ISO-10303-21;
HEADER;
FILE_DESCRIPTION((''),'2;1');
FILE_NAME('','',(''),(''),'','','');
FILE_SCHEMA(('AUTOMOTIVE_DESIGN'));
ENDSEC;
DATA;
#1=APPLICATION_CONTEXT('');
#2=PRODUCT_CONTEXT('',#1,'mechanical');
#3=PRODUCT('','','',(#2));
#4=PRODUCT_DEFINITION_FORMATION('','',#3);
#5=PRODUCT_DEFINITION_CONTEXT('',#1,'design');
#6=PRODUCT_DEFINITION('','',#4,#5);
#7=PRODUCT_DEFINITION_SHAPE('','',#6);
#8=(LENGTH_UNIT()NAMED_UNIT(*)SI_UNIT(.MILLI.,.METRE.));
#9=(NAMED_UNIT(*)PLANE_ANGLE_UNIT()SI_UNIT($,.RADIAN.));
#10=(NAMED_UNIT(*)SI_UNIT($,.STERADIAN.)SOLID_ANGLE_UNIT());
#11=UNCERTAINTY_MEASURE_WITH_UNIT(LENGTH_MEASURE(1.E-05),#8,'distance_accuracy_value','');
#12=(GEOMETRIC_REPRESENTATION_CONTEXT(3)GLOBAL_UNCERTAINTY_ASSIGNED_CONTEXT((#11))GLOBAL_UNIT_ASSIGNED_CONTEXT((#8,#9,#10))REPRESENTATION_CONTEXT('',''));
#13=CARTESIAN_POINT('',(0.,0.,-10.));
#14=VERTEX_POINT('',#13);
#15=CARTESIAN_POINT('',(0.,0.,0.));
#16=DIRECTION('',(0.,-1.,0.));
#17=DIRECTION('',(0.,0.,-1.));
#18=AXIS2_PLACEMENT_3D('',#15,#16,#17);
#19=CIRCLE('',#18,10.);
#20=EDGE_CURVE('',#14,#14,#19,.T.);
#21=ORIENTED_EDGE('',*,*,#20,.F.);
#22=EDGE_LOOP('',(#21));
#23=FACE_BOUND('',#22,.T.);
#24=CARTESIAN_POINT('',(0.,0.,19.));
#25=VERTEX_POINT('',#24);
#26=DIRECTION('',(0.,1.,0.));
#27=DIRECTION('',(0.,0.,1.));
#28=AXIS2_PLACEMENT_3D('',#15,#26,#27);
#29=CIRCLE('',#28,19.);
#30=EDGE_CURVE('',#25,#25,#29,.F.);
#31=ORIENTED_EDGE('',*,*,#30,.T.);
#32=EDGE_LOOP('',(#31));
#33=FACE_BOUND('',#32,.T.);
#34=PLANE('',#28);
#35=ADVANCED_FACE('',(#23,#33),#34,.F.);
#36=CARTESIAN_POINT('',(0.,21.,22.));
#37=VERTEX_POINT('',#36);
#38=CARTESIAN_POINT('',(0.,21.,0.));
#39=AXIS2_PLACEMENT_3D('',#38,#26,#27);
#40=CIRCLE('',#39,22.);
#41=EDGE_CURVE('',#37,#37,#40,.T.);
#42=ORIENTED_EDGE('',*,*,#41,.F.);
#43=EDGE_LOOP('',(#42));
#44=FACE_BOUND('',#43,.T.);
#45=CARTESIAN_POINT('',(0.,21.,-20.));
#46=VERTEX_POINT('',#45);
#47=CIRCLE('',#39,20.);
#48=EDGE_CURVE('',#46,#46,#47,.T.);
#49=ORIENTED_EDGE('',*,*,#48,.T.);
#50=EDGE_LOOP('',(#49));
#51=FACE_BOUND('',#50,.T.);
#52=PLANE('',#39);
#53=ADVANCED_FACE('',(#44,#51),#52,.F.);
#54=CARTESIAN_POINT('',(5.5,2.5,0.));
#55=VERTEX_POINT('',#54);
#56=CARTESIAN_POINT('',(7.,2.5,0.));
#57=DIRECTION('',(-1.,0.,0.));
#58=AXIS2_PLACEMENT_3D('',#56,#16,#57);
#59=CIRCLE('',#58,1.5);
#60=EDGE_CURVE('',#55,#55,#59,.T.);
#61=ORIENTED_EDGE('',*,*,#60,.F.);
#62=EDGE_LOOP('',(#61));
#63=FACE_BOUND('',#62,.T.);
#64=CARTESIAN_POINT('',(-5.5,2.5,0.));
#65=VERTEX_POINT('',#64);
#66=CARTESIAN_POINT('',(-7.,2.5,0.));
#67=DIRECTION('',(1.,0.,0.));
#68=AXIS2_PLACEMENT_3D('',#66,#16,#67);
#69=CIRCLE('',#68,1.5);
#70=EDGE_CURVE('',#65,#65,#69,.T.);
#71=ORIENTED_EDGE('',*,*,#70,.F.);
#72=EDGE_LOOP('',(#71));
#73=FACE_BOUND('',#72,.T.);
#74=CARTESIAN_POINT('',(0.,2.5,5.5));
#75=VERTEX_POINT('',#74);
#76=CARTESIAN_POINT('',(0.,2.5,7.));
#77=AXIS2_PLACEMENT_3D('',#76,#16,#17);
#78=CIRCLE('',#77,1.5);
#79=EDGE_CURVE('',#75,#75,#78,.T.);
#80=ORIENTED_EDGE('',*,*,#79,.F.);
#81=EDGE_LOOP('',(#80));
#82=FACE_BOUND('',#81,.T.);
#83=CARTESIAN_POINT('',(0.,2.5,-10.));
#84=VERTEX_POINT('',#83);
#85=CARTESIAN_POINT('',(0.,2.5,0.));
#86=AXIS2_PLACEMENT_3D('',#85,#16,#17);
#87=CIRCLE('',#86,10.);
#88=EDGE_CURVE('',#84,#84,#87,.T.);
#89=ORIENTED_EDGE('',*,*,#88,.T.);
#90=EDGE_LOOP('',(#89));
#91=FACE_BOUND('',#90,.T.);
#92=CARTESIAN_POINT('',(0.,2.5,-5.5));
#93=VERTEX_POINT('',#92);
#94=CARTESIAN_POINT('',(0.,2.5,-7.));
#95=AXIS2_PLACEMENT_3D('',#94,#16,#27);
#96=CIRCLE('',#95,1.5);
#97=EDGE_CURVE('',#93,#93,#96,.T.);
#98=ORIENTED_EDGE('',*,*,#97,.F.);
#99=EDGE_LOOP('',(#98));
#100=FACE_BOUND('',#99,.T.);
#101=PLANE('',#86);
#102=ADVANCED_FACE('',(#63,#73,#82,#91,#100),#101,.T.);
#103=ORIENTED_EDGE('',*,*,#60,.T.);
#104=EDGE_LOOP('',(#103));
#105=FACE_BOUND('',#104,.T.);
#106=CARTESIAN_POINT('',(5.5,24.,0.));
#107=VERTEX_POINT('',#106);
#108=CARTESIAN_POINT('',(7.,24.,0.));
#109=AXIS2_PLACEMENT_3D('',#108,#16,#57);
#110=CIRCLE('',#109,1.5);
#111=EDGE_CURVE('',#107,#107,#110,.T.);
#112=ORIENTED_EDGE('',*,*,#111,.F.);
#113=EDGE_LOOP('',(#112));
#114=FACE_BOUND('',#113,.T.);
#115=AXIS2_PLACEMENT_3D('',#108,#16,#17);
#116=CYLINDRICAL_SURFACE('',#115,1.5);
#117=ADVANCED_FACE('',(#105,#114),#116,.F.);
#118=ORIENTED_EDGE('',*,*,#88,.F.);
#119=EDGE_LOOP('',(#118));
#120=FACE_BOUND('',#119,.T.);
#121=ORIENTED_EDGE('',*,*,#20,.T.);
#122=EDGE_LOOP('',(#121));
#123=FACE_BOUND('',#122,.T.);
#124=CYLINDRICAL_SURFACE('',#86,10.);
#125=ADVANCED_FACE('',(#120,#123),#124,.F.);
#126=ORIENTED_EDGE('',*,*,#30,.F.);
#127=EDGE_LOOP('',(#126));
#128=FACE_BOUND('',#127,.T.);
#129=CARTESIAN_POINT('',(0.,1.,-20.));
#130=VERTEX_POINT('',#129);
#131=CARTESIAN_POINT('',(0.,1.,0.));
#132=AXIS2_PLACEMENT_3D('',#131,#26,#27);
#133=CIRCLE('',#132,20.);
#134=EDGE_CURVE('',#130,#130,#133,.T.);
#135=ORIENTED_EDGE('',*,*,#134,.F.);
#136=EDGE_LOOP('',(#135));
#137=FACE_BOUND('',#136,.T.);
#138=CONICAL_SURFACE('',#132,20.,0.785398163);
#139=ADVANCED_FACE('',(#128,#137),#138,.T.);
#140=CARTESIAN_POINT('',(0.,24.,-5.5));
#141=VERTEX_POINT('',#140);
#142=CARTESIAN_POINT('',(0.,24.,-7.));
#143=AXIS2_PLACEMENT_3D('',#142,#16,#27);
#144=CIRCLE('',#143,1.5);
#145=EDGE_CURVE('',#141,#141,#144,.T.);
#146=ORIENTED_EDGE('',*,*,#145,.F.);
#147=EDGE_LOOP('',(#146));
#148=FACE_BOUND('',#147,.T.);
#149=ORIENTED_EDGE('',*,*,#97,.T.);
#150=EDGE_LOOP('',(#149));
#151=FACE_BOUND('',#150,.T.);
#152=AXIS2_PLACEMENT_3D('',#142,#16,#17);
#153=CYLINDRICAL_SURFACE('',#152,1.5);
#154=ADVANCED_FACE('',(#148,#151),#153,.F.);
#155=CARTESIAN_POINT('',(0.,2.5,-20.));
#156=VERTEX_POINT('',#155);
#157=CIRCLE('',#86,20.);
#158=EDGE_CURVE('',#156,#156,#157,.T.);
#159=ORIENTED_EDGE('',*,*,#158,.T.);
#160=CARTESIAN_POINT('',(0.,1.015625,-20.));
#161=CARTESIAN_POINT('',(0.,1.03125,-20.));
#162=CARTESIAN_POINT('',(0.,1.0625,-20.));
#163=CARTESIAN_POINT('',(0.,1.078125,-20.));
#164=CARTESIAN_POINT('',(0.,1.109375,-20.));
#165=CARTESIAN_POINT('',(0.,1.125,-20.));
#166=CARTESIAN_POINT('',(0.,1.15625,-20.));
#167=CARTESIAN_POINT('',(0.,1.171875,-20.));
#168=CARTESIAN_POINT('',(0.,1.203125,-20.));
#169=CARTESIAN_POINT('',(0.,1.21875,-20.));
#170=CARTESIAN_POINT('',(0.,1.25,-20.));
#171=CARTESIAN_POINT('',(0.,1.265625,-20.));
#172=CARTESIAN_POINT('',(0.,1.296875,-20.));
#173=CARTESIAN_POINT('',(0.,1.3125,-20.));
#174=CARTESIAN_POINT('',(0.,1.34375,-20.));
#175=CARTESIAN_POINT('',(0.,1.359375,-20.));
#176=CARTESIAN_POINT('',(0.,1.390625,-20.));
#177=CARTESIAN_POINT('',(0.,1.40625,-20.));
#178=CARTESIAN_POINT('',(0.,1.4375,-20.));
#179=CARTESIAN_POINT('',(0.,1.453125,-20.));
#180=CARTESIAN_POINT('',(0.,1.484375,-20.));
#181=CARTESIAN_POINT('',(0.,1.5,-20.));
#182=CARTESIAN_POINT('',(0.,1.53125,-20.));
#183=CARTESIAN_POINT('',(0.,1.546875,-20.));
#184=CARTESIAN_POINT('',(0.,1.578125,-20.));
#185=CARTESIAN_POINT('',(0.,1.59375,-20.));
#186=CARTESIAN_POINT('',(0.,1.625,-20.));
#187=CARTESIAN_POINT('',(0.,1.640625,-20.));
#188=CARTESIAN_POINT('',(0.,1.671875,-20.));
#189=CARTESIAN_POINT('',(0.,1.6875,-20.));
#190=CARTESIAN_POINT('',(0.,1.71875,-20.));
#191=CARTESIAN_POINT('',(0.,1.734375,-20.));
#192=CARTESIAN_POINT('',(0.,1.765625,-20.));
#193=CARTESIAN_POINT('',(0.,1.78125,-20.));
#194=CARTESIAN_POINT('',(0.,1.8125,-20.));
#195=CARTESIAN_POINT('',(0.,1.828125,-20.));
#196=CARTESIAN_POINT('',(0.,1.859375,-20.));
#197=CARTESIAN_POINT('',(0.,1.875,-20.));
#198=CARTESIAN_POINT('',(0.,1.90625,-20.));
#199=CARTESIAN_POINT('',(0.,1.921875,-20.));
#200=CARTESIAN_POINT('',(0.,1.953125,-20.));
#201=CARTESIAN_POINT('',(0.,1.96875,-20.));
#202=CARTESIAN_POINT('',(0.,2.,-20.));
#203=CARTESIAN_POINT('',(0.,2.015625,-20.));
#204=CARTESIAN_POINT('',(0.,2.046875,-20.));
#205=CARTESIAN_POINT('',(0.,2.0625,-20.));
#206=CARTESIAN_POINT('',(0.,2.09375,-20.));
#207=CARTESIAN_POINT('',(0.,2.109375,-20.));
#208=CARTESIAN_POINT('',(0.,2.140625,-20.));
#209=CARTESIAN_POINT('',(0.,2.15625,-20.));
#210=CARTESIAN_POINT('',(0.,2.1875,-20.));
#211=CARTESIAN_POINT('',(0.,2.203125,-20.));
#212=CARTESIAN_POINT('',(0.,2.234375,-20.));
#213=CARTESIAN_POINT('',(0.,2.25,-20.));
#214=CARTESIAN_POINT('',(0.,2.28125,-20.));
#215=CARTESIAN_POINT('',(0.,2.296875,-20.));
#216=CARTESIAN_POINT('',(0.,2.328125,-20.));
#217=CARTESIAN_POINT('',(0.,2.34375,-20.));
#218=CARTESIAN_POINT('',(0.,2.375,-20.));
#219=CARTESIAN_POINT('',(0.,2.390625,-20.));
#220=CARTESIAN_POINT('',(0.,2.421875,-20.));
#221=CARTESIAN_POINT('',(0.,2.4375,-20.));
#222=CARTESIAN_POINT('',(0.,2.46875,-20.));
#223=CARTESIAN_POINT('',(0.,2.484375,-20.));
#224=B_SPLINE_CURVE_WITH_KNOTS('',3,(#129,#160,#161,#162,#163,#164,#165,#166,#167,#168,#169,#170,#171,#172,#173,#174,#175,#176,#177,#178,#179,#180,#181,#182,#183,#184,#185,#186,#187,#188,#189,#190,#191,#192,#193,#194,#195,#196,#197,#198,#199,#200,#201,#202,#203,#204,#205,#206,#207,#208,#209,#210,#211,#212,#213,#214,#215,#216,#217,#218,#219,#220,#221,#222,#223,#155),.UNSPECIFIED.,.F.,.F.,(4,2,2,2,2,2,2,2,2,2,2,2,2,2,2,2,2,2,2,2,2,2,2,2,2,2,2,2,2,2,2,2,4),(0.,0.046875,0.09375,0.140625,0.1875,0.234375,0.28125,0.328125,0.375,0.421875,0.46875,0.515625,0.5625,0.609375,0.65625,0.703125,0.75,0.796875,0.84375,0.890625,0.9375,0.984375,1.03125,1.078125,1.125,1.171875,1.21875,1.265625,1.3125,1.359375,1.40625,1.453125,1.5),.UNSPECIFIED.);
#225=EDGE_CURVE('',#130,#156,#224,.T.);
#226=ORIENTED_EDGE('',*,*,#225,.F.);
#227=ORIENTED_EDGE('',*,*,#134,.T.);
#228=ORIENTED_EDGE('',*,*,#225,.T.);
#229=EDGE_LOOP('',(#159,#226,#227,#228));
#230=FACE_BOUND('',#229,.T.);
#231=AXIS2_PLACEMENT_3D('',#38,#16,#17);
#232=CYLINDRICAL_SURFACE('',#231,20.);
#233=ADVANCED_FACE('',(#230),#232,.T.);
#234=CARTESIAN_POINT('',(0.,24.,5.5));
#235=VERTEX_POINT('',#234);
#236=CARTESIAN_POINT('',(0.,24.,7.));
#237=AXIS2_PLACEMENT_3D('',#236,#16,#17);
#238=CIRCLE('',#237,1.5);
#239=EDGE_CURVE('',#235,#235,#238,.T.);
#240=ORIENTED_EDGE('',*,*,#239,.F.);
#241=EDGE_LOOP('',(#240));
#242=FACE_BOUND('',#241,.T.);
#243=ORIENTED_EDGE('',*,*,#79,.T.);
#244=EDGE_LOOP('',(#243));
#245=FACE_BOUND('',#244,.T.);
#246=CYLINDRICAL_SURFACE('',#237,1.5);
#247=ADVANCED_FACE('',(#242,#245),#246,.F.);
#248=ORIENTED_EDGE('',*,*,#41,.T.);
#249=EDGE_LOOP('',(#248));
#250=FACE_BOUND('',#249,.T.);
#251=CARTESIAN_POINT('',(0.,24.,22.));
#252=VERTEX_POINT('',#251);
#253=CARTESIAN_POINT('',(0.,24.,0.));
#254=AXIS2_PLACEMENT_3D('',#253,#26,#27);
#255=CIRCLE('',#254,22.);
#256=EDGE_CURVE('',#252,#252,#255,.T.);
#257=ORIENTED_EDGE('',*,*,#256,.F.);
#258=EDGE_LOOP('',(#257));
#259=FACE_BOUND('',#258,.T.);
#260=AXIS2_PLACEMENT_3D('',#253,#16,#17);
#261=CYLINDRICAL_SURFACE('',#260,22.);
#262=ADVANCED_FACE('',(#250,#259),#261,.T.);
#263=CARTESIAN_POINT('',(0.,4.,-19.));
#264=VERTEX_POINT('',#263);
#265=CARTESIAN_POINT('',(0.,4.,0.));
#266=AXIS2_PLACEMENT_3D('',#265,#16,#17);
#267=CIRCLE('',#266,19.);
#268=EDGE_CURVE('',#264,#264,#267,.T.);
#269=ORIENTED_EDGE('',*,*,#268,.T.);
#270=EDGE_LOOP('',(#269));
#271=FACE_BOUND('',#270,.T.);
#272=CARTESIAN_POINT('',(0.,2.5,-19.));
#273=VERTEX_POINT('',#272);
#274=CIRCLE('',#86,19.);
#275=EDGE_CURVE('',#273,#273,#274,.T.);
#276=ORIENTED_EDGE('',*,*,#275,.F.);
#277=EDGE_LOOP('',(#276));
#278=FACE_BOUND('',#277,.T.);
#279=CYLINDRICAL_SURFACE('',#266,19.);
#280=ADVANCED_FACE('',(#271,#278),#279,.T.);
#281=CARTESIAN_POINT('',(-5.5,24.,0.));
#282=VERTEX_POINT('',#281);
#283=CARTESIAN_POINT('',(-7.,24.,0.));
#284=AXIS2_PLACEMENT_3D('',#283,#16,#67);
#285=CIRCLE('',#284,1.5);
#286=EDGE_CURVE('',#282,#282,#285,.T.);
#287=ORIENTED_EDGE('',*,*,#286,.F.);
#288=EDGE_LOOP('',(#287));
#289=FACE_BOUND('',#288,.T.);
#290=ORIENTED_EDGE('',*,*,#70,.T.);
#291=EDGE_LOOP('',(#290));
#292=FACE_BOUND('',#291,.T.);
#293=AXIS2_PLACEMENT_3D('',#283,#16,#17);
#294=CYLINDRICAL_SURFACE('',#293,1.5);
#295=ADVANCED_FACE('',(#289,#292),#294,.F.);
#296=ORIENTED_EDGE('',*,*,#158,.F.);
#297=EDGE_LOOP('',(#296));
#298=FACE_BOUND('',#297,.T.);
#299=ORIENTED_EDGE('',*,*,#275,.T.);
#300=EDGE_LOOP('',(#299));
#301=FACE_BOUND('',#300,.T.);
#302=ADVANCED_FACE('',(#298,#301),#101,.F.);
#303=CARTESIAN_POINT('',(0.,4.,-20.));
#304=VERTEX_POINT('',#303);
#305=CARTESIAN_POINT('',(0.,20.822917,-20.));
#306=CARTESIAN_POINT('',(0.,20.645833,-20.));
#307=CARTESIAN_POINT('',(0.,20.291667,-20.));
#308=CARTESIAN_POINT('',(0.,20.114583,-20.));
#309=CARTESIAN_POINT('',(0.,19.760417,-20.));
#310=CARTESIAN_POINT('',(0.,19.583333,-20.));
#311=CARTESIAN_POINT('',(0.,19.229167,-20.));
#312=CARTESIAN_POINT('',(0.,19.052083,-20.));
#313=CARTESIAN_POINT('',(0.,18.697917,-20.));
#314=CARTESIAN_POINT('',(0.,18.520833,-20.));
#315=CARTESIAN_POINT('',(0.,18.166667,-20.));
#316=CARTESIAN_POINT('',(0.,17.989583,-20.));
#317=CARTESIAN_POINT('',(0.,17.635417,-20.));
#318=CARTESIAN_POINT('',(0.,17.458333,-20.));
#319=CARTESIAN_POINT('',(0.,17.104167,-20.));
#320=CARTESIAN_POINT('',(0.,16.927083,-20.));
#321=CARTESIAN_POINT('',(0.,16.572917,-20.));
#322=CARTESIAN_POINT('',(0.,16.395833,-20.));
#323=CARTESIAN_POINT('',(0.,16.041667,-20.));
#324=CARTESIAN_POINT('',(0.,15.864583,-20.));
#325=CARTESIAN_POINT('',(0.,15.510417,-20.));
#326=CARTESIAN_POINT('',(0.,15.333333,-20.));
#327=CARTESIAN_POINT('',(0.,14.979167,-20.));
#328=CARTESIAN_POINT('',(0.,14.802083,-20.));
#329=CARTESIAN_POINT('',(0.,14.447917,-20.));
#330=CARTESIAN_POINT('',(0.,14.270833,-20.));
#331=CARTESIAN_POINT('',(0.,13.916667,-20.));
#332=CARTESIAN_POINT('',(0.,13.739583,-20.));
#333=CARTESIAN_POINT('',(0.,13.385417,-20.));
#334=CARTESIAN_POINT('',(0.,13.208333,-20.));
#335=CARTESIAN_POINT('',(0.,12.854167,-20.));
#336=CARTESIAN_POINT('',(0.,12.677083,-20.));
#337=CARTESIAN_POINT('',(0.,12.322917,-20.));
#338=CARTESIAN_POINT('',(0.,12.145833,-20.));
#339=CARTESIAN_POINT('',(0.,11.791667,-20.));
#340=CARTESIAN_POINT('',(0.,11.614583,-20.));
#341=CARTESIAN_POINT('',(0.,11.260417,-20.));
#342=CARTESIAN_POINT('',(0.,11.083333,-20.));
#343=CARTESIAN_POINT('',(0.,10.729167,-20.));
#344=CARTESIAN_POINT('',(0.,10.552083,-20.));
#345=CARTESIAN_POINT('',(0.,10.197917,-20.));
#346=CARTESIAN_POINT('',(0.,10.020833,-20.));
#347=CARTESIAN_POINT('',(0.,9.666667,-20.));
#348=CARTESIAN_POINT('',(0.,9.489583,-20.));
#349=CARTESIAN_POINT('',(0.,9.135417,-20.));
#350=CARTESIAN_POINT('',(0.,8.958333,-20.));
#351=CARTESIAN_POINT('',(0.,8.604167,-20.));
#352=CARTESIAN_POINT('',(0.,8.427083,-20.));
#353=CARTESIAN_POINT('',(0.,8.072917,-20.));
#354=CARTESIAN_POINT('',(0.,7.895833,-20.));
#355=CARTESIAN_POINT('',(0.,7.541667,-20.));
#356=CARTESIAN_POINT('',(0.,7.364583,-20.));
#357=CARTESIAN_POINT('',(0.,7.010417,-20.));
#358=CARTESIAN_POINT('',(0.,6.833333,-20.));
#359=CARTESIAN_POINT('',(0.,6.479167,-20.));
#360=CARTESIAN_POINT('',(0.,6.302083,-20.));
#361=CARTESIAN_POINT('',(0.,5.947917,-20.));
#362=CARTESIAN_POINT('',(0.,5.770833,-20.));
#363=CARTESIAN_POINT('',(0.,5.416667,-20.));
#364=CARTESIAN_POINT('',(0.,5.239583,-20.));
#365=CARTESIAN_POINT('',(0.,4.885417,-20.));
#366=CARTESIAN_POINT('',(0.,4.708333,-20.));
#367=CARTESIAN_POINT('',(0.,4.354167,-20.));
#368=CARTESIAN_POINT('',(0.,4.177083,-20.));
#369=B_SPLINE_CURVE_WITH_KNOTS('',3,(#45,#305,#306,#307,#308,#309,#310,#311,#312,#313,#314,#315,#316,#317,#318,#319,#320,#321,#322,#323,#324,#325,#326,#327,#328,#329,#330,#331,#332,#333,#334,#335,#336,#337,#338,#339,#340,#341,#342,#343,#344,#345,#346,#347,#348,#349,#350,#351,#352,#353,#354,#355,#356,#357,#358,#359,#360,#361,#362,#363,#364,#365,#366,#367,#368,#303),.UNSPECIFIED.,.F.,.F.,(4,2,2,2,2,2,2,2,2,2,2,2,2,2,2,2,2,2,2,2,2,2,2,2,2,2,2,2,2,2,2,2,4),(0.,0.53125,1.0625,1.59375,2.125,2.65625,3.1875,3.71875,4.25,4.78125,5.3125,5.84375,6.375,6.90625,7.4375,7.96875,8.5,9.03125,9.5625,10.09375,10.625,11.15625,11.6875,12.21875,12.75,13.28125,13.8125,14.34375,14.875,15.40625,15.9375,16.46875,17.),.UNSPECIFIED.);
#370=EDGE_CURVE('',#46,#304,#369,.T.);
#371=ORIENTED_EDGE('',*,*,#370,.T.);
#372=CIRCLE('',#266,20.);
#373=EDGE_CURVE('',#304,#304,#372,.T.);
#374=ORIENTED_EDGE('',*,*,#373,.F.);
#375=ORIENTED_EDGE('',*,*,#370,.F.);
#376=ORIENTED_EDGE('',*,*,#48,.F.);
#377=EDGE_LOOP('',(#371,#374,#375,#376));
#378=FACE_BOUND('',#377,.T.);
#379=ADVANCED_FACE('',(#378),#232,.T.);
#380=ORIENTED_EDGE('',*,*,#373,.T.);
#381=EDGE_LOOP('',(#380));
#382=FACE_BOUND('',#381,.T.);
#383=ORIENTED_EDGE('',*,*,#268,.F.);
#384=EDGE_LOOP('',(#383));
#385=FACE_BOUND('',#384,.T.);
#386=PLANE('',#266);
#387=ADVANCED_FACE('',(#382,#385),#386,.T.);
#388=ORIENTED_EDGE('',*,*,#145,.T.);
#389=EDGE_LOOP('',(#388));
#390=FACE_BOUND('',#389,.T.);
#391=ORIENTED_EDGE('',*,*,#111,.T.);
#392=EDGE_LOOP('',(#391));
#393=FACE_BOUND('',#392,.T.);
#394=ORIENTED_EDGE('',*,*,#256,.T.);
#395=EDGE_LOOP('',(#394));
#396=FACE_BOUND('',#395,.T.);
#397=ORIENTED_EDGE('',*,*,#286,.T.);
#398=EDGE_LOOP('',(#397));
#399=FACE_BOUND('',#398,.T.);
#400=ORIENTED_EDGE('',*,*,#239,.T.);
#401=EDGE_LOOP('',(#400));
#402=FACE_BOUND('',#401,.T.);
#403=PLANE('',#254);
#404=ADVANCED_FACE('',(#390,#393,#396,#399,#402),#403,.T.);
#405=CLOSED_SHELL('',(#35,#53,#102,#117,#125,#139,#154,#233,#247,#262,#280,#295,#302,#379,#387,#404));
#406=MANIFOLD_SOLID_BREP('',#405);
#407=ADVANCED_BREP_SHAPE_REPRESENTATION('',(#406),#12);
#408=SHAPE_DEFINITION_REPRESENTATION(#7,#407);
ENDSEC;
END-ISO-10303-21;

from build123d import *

# Parameters (mm, degrees)
SKETCH_1_R               = 20
EXTRUDE_1_DEPTH          = 21
SKETCH_2_R               = 10
CUT_EXTRUDE_2_DEPTH      = 2.5
SKETCH_5_R               = 20
SKETCH_5_R_2             = 19
CUT_EXTRUDE_5_DEPTH      = 1.5
CHAMFER_1_SIZE           = 1
SKETCH_6_R               = 22
EXTRUDE_2_DEPTH          = 3
SKETCH_4_R               = 1.5
CUT_EXTRUDE_6_DEPTH      = 38.818646195
PATTERN_CIRCULAR_1_COUNT = 4


with BuildPart() as part:
    # Эскиз1 → Бобышка-Вытянуть1 (new body)
    with BuildSketch(Plane(origin=(0, 0, 0), x_dir=(1, 0, 0), z_dir=(0, 1, 0))):
        with Locations(Location((0, 0, 0), (0, 0, 90))):
            Circle(SKETCH_1_R)
    extrude(amount=EXTRUDE_1_DEPTH)

    # Эскиз2 → Вырез-Вытянуть2 (cut)
    with BuildSketch(Plane.XZ):
        with Locations(Location((0, 0, 0), (0, 0, 270))):
            Circle(SKETCH_2_R)
    extrude(amount=-CUT_EXTRUDE_2_DEPTH, mode=Mode.SUBTRACT)

    # Эскиз5 → Вырез-Вытянуть5 (cut)
    with BuildSketch(Plane(origin=(0, 2.5, 0), x_dir=(-1, 0, 0), z_dir=(0, -1, 0))):
        with Locations(Location((0, 0, 0), (0, 0, 90))):
            Circle(SKETCH_5_R)
        with Locations(Location((0, 0, 0), (0, 0, 90))):
            Circle(SKETCH_5_R_2, mode=Mode.SUBTRACT)
    extrude(amount=-CUT_EXTRUDE_5_DEPTH, mode=Mode.SUBTRACT)

    # Фаска1
    chamfer_1_edges = [part.edges().sort_by_distance(p)[0] for p in [
        (0, 0, 20),
    ]]
    chamfer(chamfer_1_edges, length=CHAMFER_1_SIZE)

    # Эскиз6 → Бобышка-Вытянуть2 (add)
    with BuildSketch(Plane(origin=(0, 21, 0), x_dir=(1, 0, 0), z_dir=(0, 1, 0))):
        with Locations(Location((0, 0, 0), (0, 0, 270))):
            Circle(SKETCH_6_R)
    extrude(amount=EXTRUDE_2_DEPTH)

    # Эскиз4 → Вырез-Вытянуть6 (cut, through all)
    with BuildSketch(Plane.XZ.offset(-2.5)):
        with Locations(Location((0, 7, 0), (0, 0, 270))):
            Circle(SKETCH_4_R)
    cut_extrude_6 = extrude(amount=-CUT_EXTRUDE_6_DEPTH, mode=Mode.SUBTRACT)

    # Круговой массив1: Вырез-Вытянуть6 ×4 about axis
    pattern_circular_1_axis = Axis((0, 0, 0), (0, 1, 0))
    for i in range(1, PATTERN_CIRCULAR_1_COUNT):
        add(cut_extrude_6.rotate(pattern_circular_1_axis, i * 360 / PATTERN_CIRCULAR_1_COUNT), mode=Mode.SUBTRACT)


solid = part.part
